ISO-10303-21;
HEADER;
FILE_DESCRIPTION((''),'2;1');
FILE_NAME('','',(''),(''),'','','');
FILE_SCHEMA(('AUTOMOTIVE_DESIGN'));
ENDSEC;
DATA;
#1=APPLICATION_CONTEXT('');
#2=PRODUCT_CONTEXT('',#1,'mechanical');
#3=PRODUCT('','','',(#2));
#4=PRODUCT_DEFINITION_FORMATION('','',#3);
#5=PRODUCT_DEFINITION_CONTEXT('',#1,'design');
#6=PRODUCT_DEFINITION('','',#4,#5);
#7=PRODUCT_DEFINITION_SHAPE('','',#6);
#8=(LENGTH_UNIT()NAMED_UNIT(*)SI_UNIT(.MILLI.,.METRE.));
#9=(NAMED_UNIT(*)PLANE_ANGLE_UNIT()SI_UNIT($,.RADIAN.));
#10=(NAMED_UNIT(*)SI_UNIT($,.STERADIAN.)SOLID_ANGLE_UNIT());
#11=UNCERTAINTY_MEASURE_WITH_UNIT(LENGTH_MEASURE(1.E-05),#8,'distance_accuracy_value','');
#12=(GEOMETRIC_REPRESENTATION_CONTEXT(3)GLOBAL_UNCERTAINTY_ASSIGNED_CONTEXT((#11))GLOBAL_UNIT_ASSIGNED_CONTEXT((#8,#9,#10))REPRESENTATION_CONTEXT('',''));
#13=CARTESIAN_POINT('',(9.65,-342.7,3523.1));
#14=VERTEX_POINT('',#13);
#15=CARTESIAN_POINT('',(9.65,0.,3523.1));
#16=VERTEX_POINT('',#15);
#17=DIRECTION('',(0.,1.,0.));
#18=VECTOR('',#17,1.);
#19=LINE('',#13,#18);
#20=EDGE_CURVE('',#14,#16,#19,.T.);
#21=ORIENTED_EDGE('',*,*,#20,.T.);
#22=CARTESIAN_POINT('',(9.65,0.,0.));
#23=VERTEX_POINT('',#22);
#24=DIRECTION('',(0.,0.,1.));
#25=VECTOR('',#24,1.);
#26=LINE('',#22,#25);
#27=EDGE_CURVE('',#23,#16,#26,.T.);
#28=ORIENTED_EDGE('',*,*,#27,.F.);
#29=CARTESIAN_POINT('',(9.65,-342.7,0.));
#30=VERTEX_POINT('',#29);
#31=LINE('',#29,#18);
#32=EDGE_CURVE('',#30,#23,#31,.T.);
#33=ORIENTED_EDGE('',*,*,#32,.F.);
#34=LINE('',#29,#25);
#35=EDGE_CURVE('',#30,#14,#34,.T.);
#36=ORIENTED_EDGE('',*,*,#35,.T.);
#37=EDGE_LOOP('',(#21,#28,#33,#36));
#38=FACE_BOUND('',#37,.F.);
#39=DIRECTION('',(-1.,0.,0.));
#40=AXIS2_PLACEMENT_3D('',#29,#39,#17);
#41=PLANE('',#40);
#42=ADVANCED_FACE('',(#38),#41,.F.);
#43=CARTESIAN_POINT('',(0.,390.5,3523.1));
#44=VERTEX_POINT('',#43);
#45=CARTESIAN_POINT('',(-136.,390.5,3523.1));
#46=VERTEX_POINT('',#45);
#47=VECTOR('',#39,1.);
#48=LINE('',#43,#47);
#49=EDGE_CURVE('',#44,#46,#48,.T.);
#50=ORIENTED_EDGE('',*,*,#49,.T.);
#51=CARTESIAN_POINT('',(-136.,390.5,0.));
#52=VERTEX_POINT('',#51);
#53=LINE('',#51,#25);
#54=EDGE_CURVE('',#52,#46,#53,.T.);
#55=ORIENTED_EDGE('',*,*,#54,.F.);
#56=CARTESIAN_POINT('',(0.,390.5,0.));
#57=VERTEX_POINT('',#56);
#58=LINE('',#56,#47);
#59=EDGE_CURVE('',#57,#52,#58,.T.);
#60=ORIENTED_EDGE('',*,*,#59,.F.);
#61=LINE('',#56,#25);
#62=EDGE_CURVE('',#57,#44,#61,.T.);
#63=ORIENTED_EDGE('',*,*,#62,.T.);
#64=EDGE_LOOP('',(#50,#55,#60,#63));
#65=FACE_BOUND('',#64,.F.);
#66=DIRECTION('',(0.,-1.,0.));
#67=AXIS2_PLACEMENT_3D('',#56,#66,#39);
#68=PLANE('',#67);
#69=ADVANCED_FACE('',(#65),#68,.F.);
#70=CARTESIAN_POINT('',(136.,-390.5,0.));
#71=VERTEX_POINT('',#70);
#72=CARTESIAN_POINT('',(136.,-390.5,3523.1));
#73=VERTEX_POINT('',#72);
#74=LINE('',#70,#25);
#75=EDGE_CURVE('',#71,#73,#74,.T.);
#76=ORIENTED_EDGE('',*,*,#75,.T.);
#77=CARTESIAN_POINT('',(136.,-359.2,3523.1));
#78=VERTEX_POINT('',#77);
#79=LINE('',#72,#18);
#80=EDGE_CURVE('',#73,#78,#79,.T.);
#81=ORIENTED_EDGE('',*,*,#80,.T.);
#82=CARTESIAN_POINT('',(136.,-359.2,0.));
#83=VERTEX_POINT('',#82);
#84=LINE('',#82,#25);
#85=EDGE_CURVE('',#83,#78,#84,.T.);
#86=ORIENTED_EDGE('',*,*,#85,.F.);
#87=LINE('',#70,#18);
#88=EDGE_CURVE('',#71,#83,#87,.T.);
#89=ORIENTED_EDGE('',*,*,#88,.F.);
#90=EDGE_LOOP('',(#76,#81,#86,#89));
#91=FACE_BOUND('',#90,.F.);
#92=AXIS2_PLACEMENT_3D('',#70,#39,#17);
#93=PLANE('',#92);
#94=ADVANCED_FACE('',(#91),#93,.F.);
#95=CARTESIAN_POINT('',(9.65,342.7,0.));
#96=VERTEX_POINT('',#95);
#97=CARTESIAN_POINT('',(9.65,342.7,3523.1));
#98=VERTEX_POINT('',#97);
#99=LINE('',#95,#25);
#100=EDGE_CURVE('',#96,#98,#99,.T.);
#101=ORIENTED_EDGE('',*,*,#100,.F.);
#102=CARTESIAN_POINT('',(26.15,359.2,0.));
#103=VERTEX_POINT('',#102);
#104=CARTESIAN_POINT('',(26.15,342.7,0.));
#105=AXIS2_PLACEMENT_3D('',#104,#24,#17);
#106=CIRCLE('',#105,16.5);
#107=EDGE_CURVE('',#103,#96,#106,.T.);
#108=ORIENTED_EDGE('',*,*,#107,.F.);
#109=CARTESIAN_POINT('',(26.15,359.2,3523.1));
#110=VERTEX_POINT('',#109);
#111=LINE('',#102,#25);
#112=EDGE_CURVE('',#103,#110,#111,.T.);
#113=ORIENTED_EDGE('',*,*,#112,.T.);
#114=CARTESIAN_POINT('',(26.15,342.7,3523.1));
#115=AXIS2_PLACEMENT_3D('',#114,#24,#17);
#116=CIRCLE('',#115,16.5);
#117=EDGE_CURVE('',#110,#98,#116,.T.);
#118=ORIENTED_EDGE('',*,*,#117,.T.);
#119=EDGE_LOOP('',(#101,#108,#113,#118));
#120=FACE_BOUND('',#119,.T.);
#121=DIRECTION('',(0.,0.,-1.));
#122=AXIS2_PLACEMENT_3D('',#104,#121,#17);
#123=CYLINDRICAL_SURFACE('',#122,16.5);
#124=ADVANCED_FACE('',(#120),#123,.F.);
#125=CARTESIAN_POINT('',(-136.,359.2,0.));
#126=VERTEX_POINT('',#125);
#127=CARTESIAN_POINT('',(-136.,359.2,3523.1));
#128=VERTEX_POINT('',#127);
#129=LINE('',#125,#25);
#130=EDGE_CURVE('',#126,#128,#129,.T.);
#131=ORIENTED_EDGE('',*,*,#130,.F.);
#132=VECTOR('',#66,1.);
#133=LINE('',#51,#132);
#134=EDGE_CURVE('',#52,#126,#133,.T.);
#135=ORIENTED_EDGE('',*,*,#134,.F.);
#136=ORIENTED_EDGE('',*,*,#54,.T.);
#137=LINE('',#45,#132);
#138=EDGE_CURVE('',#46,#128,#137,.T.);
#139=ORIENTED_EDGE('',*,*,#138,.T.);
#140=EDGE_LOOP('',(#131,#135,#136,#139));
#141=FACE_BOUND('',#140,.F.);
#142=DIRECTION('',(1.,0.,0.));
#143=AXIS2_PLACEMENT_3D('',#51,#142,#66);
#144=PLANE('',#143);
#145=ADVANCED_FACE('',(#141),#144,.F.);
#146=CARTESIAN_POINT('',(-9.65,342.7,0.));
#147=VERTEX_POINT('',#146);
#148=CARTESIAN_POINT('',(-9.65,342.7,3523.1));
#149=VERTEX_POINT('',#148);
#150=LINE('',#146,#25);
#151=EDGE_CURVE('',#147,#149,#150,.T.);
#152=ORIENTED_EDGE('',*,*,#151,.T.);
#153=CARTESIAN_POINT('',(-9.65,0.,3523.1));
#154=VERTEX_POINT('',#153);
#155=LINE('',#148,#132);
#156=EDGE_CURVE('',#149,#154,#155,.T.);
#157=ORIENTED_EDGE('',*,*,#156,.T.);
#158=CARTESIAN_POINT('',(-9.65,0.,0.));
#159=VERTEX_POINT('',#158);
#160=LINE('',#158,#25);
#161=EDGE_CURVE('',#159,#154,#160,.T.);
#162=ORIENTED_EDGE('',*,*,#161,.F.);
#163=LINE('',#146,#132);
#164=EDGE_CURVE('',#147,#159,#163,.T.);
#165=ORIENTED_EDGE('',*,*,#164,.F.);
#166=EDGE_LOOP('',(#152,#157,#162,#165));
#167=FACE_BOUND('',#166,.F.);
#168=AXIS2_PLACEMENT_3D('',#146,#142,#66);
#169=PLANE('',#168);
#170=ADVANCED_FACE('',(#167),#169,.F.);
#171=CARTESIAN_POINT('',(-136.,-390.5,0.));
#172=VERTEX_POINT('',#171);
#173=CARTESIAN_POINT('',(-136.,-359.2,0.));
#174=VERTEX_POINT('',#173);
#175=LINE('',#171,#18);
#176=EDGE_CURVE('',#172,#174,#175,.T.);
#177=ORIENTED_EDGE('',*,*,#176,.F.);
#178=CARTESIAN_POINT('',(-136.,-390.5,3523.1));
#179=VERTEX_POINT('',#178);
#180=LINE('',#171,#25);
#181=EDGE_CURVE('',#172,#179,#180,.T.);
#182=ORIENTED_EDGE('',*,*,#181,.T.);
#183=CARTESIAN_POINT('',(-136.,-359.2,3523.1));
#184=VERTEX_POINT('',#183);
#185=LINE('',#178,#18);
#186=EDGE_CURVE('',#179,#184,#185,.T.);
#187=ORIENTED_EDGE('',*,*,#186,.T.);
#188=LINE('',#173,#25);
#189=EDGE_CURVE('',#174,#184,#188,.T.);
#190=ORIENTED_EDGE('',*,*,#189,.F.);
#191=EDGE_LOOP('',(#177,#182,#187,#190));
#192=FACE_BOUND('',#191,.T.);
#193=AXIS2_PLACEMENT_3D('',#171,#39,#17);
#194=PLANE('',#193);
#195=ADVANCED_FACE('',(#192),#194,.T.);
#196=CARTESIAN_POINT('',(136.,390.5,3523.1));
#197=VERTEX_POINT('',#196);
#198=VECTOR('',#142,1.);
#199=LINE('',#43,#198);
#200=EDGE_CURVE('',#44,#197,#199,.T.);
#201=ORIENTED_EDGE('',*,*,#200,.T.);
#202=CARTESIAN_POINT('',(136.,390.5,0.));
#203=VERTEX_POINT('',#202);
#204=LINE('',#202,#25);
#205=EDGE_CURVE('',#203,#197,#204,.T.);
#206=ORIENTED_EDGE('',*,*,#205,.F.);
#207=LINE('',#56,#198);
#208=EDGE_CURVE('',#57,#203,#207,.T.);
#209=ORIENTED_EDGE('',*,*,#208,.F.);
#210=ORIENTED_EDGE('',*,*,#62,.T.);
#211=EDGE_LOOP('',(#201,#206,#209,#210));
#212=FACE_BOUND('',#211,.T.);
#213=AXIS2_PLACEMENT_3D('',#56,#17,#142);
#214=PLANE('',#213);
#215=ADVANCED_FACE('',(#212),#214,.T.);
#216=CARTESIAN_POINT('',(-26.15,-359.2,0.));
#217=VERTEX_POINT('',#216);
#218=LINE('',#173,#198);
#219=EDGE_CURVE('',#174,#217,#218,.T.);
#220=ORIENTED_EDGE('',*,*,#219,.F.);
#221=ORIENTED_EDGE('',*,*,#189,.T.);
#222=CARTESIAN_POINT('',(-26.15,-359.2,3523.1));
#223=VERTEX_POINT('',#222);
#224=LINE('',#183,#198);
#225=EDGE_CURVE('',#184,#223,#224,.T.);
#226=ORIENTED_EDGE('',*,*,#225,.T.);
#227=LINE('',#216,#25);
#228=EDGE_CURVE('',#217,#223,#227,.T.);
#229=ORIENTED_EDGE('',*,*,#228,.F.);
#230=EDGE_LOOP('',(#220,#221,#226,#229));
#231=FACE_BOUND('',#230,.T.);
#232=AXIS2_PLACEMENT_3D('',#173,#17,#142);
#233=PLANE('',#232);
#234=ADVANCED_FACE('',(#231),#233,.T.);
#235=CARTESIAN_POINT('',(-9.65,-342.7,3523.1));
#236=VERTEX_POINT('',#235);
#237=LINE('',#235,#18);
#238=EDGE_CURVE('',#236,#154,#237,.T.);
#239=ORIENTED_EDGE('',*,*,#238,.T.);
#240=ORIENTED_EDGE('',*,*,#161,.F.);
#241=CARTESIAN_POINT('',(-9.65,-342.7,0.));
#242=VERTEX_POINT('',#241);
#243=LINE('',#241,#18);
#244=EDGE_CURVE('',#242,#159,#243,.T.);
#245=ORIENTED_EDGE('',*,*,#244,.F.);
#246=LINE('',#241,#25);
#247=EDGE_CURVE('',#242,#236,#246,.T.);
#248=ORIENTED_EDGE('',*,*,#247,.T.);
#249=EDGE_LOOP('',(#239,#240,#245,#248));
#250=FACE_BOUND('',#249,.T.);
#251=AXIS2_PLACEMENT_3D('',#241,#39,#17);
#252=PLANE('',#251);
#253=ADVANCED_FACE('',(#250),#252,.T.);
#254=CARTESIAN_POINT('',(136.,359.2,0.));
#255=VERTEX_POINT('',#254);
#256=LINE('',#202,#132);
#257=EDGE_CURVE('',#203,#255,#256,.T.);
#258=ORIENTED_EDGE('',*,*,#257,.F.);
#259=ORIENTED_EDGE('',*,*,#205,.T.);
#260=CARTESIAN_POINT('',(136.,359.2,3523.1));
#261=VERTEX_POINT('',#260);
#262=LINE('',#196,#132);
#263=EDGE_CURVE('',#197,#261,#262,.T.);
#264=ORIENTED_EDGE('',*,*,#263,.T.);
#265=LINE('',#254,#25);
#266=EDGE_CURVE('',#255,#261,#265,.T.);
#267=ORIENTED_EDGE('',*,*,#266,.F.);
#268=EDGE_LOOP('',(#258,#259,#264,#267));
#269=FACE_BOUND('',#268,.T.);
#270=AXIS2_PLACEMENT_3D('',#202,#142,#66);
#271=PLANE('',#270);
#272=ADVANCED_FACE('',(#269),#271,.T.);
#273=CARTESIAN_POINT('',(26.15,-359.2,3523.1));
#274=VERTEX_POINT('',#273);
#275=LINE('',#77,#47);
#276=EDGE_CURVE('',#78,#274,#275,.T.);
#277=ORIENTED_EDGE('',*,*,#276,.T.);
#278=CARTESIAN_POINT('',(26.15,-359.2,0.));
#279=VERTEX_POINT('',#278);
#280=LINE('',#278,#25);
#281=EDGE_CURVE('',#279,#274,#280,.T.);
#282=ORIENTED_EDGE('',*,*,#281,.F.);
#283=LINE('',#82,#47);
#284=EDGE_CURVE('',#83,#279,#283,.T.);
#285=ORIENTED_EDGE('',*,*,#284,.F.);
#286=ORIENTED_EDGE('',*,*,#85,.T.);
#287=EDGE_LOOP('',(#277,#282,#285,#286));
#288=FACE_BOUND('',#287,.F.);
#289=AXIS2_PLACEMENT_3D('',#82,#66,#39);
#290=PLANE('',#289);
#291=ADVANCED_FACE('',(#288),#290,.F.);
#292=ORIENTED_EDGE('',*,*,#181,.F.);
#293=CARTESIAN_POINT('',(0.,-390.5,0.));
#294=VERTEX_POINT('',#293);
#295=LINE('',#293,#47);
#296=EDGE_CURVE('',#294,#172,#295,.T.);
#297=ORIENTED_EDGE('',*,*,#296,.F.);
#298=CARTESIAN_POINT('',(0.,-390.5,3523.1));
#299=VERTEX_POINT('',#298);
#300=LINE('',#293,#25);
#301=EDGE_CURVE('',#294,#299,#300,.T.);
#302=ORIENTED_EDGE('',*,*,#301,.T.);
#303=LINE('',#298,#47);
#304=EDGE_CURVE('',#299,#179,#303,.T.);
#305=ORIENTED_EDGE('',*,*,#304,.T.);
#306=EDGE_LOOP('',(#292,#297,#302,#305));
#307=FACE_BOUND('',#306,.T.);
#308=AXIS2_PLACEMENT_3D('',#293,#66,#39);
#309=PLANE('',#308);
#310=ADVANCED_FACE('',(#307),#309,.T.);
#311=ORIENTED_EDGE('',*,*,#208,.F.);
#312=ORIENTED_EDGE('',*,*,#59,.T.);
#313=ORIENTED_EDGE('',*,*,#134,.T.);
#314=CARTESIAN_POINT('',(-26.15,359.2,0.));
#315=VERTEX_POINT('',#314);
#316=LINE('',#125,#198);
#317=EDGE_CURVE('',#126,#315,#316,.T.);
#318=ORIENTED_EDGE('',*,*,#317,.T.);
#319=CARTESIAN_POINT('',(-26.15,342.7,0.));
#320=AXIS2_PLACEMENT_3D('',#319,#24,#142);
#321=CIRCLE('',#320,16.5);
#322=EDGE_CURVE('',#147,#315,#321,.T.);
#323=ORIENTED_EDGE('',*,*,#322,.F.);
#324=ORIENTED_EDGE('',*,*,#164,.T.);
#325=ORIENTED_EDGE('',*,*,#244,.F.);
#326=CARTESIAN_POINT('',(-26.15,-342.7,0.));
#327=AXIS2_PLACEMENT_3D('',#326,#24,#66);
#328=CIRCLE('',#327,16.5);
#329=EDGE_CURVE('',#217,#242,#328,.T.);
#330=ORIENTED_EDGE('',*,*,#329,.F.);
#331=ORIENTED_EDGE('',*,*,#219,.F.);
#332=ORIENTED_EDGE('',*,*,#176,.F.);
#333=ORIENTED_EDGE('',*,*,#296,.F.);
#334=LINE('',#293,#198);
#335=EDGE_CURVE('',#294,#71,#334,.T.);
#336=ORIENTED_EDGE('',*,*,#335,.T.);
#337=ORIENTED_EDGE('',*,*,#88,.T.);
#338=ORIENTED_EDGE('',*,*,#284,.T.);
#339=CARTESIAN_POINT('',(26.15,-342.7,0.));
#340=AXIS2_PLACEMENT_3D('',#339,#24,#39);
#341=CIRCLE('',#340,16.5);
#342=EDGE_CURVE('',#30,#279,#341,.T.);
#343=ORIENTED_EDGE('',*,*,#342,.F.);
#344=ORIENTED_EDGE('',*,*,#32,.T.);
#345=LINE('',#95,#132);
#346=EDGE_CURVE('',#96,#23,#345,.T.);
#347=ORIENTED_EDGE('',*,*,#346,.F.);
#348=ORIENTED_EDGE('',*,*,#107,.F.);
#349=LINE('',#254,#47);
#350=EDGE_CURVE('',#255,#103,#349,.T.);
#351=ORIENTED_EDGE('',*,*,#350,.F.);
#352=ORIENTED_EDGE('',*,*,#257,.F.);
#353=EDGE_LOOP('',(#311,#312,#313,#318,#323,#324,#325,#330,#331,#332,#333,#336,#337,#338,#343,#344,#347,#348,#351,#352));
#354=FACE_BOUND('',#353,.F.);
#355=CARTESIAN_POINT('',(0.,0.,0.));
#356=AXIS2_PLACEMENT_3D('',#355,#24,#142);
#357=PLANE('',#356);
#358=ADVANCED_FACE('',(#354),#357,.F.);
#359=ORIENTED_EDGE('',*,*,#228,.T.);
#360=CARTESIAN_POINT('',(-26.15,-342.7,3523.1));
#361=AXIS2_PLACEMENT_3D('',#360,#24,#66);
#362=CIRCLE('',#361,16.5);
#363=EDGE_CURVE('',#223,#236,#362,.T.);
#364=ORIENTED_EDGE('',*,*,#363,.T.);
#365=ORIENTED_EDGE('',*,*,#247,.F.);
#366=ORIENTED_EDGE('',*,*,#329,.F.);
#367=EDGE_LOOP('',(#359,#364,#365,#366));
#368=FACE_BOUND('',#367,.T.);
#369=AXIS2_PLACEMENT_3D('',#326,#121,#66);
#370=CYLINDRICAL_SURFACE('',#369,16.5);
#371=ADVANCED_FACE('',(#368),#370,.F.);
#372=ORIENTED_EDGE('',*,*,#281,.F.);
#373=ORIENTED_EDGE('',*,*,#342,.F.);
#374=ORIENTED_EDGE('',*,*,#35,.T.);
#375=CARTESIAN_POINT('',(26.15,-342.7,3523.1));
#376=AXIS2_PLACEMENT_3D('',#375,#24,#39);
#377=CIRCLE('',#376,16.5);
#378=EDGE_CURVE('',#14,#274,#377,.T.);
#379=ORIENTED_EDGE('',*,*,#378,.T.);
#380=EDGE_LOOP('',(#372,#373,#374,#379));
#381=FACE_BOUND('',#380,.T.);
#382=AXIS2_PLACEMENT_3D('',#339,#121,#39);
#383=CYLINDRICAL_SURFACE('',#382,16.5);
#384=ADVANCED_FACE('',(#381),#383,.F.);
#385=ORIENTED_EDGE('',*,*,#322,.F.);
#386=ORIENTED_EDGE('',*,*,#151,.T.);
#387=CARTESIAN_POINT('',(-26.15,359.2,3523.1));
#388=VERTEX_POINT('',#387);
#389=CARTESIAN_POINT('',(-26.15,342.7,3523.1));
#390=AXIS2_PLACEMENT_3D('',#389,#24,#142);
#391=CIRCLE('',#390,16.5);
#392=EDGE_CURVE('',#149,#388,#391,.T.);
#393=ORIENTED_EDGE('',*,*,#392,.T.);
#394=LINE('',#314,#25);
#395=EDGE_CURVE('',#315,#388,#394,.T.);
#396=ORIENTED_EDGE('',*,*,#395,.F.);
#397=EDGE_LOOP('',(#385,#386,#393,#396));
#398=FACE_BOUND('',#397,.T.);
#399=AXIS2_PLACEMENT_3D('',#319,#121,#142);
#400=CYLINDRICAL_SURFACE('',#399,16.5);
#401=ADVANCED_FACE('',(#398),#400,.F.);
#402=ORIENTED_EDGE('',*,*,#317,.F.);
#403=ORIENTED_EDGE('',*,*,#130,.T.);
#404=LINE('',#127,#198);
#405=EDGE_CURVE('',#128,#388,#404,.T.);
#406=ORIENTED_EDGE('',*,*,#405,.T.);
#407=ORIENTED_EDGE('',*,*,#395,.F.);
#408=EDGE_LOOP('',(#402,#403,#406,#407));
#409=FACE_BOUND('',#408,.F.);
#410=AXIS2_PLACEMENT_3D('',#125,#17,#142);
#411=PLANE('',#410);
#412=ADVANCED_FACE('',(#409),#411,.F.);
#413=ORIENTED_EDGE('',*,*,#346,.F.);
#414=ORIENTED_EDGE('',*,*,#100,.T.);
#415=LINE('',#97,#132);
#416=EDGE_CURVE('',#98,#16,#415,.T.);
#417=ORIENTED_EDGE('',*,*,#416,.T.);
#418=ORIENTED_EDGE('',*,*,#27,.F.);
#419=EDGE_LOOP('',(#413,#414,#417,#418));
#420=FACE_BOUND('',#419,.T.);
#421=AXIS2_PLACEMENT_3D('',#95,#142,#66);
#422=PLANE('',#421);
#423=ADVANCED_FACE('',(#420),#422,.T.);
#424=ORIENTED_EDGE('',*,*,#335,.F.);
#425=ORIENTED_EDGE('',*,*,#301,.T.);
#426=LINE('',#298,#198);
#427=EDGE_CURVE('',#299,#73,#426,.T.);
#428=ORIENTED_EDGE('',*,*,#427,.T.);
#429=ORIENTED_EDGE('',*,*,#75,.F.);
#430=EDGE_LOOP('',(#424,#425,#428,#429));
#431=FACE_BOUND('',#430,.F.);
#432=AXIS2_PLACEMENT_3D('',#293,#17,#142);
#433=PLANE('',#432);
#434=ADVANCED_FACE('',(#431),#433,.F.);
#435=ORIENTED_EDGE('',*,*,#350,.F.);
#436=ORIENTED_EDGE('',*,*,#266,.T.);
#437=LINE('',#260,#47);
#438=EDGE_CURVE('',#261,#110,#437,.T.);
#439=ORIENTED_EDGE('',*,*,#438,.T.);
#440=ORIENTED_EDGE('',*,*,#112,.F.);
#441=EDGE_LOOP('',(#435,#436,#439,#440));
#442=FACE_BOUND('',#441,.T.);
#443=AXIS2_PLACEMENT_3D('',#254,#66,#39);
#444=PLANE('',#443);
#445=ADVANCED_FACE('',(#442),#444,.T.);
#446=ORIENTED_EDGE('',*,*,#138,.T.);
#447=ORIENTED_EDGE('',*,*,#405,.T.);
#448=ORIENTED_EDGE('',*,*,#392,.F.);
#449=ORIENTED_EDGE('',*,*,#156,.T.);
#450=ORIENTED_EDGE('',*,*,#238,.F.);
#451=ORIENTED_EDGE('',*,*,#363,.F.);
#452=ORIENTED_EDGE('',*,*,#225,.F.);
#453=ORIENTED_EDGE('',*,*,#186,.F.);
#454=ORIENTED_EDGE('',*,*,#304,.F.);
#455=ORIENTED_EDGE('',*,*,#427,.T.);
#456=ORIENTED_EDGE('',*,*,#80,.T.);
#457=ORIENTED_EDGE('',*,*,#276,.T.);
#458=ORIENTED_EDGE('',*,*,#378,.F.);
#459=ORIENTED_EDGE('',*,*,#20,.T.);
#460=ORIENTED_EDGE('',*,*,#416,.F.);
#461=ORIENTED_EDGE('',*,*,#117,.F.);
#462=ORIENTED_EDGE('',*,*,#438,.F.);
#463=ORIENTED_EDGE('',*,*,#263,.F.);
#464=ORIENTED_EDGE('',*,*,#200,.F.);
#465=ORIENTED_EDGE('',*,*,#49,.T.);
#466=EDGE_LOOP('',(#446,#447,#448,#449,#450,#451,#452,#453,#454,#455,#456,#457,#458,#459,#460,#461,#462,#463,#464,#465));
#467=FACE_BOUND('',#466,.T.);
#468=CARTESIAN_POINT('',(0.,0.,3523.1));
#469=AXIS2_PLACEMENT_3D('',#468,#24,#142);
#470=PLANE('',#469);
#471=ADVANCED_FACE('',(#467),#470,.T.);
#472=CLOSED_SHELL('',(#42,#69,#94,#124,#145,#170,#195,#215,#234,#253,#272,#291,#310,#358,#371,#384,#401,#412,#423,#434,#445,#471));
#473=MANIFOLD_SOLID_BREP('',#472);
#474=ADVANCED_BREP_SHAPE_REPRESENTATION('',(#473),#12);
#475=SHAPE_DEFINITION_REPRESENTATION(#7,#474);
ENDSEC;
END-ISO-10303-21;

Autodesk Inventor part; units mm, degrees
ref_plane "YZ Plane" through (0, 0, 0) normal (1, 0, 0) x (0, 1, 0)
ref_plane "Start plane" through (0, 0, 0) normal (0, 0, 1) x (1, 0, 0)
ref_plane "End plane" through (0, 0, 3523.1) normal (0, 0, 1) x (1, 0, 0)
sketch "Sketch" plane through (0, 0, 0) normal (0, 0, 1) x (1, 0, 0)
  line L0 (-136, -390.5) -> (-136, -359.2)
  line L1 (-136, -359.2) -> (-26.15, -359.2)
  line L2 (-9.65, -342.7) -> (-9.65, 0)
  line L3 (-9.65, 0) -> (0, 0) construction
  line L4 (0, 0) -> (0, -390.5) construction
  line L5 (0, -390.5) -> (-136, -390.5)
  line L6 (-60, 0) -> (80, 0) construction
  line L7 (0, -60) -> (0, 80) construction
  line L8 (136, -390.5) -> (136, -359.2)
  line L9 (136, -359.2) -> (26.15, -359.2)
  line L10 (9.65, -342.7) -> (9.65, 0)
  line L11 (9.65, 0) -> (0, 0) construction
  line L12 (0, -390.5) -> (136, -390.5)
  line L13 (-136, 390.5) -> (-136, 359.2)
  line L14 (-136, 359.2) -> (-26.15, 359.2)
  line L15 (-9.65, 342.7) -> (-9.65, 0)
  line L16 (0, 390.5) -> (-136, 390.5)
  line L17 (136, 390.5) -> (136, 359.2)
  line L18 (136, 359.2) -> (26.15, 359.2)
  line L19 (0, 390.5) -> (136, 390.5)
  line L20 (9.65, 342.7) -> (9.65, 0)
  arc A0 (-9.65, 342.7) -> (-26.15, 359.2) centre (-26.15, 342.7) ccw
  arc A1 (26.15, 359.2) -> (9.65, 342.7) centre (26.15, 342.7) ccw
  arc A2 (9.65, -342.7) -> (26.15, -359.2) centre (26.15, -342.7) ccw
  arc A3 (-26.15, -359.2) -> (-9.65, -342.7) centre (-26.15, -342.7) ccw
  line L21 (0, 108) -> (0, -88) construction
  line L22 (-88, 0) -> (108, 0) construction
  point P0 (-9.65, -359.2)
  point P1 (9.65, -359.2)
  point P2 (-9.65, 359.2)
  point P3 (9.65, 359.2)
  dimension "d1" = 390.5
  dimension "d2" = 31.3
  dimension "d3" = 136
  dimension "d4" = 9.65
  dimension "d10" = 16.5
extrude "Body" add sketch "Sketch" along normal up to surface (3523.1 mm away) from surface at 0
sketch "Sketch4" plane through (0, 0, 0) normal (0, 0, 1) x (1, 0, 0)
  line L0 (0, 0) -> (10, 0)
ref_plane "Work Plane3" through (0, 0, 0) normal (0, -1, 0) x (1, 0, 0)
sketch "Sketch5" plane through (0, 0, 0) normal (0, -1, 0) x (1, 0, 0)
  line L0 (-2, 0) -> (12, 0) projected
  line L1 (-2, 3523.1) -> (12, 3523.1) projected
  dimension "d14" = 3523.1
equation "\"d1\" = 0.5 * G_H"
equation "\"d2\" = G_T1"
equation "\"d3\" = 0.5 * G_W"
equation "\"d4\" = 0.5 * G_T"
equation "\"d10\" = G_IR"
equation "\"d5\" = G_L"
equation "\"G_W\" = 272"
equation "\"G_H\" = 781"
equation "\"G_T\" = 19.3"
equation "\"G_T1\" = 31.3"
equation "\"G_IR\" = 16.5"
equation "\"G_L\" = d14"
equation "\"G_OFFSET_START\" = 0"
equation "\"G_OFFSET_END\" = 0"
equation "\"d12\" = G_OFFSET_END + B_L"
equation "\"B_L\" = 3523.1"
properties part number "AS 3679-1990 - 760 UB - 244 - 3523.1" material "Steel, Mild"
